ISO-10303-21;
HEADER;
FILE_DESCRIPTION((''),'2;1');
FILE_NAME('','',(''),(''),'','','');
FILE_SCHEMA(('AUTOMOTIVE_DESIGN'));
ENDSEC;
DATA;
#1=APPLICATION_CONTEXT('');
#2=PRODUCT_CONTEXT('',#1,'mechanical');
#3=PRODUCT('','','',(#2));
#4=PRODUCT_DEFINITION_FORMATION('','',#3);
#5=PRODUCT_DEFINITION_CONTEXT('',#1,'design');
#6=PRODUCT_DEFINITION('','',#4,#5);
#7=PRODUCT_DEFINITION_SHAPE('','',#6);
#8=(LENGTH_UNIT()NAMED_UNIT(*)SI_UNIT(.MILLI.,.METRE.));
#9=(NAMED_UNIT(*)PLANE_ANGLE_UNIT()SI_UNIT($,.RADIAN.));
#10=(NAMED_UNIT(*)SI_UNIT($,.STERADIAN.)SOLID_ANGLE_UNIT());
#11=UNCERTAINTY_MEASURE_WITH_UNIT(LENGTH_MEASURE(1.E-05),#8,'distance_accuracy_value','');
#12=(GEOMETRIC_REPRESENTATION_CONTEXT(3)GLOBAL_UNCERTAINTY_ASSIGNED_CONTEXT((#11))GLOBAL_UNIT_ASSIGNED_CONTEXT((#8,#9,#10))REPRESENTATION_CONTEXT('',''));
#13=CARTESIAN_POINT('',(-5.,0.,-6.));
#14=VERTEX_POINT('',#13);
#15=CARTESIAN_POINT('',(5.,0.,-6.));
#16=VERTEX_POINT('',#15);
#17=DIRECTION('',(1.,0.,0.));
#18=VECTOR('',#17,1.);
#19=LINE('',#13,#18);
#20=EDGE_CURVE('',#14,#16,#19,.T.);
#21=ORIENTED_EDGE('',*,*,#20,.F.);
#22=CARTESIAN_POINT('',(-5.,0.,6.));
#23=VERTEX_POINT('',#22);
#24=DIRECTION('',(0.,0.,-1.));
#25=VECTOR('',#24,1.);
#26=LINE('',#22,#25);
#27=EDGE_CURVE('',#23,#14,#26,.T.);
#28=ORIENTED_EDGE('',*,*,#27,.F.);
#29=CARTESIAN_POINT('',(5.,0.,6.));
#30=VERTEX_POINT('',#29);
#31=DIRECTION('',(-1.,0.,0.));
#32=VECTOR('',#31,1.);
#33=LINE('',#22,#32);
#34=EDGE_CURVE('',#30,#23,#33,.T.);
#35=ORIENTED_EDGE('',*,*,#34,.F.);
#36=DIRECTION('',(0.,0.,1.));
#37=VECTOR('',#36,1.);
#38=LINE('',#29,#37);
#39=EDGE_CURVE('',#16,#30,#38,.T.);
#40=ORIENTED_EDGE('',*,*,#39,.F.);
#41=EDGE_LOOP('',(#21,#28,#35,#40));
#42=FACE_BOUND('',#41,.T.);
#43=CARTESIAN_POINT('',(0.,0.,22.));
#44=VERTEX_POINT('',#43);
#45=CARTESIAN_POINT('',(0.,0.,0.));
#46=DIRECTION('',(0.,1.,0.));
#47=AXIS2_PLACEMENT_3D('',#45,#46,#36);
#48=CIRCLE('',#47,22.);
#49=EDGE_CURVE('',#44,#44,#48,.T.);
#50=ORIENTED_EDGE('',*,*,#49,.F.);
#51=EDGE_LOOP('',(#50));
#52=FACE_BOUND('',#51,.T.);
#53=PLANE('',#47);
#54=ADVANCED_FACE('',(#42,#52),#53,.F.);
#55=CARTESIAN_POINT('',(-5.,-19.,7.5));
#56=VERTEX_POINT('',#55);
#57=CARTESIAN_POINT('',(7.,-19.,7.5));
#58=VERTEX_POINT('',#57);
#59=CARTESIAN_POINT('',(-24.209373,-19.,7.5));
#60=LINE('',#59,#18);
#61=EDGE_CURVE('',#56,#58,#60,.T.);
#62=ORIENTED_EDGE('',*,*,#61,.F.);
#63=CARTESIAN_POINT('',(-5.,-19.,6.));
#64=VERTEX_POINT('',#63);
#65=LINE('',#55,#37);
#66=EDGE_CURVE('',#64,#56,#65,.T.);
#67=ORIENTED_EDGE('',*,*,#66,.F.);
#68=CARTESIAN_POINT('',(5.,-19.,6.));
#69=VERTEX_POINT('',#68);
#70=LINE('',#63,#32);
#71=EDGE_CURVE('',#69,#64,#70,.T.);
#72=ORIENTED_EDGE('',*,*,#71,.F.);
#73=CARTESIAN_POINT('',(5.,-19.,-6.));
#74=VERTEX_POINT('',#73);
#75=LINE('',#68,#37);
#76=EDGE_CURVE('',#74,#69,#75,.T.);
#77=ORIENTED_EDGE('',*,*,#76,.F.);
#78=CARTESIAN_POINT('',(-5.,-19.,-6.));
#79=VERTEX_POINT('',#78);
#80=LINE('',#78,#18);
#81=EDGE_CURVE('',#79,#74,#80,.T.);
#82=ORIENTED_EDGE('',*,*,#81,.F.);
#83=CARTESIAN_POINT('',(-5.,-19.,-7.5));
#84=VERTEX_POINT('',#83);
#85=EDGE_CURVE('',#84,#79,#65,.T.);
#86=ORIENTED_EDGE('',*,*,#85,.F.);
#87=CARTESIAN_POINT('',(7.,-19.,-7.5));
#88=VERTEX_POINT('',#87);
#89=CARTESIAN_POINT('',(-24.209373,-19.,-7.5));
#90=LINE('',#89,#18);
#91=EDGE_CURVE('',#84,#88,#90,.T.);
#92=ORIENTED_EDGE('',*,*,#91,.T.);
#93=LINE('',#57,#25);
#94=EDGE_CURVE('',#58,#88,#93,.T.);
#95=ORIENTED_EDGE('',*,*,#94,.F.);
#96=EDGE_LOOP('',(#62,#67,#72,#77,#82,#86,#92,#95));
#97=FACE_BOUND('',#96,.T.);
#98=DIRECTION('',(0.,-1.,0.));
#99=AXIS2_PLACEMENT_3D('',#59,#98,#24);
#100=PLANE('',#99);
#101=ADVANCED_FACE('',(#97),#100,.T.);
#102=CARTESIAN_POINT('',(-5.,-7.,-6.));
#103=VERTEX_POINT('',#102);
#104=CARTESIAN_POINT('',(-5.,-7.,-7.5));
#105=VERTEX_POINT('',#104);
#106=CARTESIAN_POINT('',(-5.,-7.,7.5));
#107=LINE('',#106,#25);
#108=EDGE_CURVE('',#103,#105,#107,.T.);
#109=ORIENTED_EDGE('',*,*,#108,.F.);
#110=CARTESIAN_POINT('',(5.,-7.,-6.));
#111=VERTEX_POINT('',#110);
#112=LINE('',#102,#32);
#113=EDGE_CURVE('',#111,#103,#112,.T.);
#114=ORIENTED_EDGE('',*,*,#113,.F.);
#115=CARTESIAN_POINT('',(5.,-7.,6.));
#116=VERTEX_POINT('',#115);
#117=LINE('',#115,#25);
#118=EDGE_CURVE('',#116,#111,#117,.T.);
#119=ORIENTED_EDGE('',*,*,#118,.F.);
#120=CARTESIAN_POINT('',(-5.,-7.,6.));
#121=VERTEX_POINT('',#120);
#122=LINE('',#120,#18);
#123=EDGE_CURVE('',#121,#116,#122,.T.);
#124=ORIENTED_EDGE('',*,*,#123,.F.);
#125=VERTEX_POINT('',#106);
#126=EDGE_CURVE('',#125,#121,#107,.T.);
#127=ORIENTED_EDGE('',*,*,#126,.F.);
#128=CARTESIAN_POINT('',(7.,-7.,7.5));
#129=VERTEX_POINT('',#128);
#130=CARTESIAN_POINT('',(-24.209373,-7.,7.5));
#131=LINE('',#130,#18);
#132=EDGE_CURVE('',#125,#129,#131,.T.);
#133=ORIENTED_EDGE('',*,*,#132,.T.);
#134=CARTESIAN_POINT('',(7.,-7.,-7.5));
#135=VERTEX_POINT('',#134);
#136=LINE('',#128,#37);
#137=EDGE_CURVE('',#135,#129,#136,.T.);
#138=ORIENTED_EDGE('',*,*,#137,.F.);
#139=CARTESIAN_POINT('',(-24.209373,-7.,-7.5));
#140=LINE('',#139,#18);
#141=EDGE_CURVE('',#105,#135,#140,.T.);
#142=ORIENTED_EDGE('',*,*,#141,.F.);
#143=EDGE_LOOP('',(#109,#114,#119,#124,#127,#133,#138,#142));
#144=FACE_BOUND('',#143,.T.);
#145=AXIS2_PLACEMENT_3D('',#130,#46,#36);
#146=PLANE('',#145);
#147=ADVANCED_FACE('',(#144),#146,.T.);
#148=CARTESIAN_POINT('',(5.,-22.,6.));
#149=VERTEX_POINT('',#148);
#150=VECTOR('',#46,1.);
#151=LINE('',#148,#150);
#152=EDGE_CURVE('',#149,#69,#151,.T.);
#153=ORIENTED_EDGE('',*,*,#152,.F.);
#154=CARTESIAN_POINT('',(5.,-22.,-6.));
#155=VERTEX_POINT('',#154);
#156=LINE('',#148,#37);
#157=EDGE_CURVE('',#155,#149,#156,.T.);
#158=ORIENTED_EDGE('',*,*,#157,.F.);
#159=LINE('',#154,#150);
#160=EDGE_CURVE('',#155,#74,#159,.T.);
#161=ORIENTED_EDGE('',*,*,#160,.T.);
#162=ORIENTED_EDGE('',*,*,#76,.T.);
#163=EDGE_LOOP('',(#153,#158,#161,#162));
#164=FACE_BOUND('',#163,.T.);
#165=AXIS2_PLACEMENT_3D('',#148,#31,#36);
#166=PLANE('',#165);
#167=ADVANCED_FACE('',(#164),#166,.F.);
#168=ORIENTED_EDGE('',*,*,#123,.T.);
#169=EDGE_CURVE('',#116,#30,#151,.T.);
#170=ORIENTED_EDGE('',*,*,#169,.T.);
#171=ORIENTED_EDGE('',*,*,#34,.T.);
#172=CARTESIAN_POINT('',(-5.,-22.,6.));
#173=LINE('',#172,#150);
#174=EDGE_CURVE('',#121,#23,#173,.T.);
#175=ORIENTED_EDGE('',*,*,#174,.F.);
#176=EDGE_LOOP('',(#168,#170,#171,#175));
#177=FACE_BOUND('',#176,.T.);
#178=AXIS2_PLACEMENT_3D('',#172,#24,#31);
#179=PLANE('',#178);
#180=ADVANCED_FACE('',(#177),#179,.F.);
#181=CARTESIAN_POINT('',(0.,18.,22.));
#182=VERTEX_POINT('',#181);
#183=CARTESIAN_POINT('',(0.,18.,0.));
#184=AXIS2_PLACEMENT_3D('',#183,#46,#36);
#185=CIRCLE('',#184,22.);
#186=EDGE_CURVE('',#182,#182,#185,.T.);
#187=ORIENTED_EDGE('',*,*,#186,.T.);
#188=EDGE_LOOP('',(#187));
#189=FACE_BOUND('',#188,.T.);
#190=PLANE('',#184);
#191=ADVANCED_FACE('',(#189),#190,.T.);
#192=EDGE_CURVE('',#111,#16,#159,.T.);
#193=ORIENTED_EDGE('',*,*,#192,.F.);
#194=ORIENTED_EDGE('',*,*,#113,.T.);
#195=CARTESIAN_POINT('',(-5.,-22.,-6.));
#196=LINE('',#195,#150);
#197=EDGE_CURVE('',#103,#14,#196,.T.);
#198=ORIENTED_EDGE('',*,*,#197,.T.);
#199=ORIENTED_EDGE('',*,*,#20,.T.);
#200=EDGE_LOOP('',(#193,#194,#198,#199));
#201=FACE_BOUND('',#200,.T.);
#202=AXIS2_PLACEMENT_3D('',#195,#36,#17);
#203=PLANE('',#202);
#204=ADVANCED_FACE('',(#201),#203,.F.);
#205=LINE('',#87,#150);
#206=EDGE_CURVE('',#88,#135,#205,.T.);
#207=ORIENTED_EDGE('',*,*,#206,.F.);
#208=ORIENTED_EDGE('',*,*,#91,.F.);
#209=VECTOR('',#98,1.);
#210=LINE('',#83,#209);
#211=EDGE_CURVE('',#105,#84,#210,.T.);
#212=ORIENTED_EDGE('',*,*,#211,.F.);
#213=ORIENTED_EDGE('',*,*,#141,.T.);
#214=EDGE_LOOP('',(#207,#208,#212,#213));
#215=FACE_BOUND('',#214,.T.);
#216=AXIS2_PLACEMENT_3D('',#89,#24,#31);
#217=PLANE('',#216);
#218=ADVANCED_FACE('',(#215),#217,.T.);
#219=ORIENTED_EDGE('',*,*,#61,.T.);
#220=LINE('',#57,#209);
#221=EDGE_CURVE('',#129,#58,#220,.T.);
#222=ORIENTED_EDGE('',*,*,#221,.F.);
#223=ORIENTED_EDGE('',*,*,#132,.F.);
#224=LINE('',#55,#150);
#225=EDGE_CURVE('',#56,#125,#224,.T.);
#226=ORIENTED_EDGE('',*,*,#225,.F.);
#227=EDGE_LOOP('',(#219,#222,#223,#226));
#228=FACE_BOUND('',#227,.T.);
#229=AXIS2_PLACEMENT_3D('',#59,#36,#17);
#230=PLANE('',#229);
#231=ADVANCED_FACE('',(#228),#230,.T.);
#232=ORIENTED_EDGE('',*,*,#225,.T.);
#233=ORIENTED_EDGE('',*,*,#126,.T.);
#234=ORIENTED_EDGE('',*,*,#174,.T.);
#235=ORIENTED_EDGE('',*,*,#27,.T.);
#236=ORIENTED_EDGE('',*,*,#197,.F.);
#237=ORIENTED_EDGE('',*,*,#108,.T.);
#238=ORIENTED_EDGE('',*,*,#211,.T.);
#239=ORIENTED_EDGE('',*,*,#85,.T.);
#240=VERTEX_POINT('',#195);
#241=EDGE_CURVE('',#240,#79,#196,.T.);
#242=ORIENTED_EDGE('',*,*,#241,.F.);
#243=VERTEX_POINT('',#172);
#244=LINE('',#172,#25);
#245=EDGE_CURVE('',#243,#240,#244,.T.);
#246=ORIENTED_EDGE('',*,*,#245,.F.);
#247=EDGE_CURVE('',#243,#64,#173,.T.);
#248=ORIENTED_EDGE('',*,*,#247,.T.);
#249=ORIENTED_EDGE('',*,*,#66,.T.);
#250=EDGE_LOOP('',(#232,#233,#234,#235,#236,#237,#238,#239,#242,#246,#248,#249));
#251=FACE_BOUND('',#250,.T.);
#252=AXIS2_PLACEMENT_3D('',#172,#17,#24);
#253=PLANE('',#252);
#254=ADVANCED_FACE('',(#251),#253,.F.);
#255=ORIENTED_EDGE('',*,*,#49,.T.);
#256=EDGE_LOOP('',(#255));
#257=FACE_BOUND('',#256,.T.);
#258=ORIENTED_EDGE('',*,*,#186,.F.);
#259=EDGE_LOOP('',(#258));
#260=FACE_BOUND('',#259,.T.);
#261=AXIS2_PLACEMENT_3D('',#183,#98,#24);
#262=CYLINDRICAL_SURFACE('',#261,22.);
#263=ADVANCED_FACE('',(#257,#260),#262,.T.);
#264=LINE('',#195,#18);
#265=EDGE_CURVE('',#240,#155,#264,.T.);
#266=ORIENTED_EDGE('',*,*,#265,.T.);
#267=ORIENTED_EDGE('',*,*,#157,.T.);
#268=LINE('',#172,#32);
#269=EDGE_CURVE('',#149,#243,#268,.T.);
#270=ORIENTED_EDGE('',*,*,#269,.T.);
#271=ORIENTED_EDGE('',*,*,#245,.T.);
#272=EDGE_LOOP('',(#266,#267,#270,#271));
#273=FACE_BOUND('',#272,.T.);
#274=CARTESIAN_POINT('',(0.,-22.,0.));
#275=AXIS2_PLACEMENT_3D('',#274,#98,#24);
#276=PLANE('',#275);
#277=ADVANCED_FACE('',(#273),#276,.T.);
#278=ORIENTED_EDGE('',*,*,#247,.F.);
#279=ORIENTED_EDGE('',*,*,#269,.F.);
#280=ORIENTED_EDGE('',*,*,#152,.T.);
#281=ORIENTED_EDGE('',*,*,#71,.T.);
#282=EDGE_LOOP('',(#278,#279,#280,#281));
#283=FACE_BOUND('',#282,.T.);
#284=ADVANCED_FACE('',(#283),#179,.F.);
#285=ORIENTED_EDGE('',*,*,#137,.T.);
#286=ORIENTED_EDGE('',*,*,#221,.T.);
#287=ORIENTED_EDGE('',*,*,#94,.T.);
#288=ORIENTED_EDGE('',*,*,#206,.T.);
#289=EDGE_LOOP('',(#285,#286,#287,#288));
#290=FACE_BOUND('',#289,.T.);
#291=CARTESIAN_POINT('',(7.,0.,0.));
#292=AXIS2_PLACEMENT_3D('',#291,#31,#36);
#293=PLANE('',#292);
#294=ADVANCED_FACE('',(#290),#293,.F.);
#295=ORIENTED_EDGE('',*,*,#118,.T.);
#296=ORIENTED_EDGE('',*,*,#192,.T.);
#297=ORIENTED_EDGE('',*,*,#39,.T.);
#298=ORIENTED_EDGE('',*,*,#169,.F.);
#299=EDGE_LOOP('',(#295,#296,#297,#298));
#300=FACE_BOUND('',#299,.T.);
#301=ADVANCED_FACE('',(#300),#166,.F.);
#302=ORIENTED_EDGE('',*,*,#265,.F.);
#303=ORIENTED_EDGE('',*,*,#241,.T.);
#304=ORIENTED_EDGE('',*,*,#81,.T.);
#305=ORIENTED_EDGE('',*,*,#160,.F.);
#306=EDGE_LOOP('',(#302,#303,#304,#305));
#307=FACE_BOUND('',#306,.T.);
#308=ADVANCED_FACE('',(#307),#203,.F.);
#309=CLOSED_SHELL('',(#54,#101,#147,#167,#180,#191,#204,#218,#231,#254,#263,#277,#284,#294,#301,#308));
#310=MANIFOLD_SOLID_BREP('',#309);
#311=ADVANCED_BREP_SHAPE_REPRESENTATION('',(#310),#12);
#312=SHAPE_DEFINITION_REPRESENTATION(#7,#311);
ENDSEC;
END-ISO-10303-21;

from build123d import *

# Parameters (mm, degrees)
SKETCH_1_R                  = 22
EXTRUDE_1_DEPTH             = 18
SKETCH_2_W                  = 10
SKETCH_2_H                  = 12
EXTRUDE_2_DEPTH             = 22
SKETCH_3_W                  = 15
SKETCH_3_H                  = 12
EXTRUDE_3_DEPTH             = 2
EXTRUDE_3_DIRECTION_2_REACH = 43.195


with BuildPart() as part:
    # 草图1 → 凸台-拉伸1 (new body)
    with BuildSketch(Plane(origin=(0, 0, 0), x_dir=(1, 0, 0), z_dir=(0, 1, 0))):
        with Locations(Location((0, 0, 0), (0, 0, 270))):
            Circle(SKETCH_1_R)
    extrude(amount=EXTRUDE_1_DEPTH)

    # 草图2 → 凸台-拉伸2 (add)
    with BuildSketch(Plane.XZ):
        Rectangle(SKETCH_2_W, SKETCH_2_H)
    extrude(amount=EXTRUDE_2_DEPTH)

    # 草图3 → 凸台-拉伸3 (add)
    with BuildSketch(Plane(origin=(5, 0, 0), x_dir=(0, 0, -1), z_dir=(1, 0, 0))):
        with Locations((0, -13)):
            Rectangle(SKETCH_3_W, SKETCH_3_H)
    extrude(amount=EXTRUDE_3_DEPTH)

    # 凸台-拉伸3 direction 2: up to this face of the body (flat: up to its plane)
    extrude_3_direction_2_end = Plane(part.part.faces().sort_by_distance((-5, -11, 0))[0])
    # 草图3 → 凸台-拉伸3 direction 2 (add, up to the picked face)
    with BuildSketch(Plane(origin=(5, 0, 0), x_dir=(0, 0, -1), z_dir=(1, 0, 0)), mode=Mode.PRIVATE) as extrude_3_direction_2_sk1:
        with Locations((0, -13)):
            Rectangle(SKETCH_3_W, SKETCH_3_H)
    extrude_3_direction_2_tool1 = split(extrude(extrude_3_direction_2_sk1.sketch, amount=-EXTRUDE_3_DIRECTION_2_REACH, mode=Mode.PRIVATE), bisect_by=extrude_3_direction_2_end, keep=Keep.BOTH, mode=Mode.PRIVATE)
    add(extrude_3_direction_2_tool1.solids().sort_by(Axis((5, -13, 0), (-1, 0, 0)))[0])


solid = part.part
